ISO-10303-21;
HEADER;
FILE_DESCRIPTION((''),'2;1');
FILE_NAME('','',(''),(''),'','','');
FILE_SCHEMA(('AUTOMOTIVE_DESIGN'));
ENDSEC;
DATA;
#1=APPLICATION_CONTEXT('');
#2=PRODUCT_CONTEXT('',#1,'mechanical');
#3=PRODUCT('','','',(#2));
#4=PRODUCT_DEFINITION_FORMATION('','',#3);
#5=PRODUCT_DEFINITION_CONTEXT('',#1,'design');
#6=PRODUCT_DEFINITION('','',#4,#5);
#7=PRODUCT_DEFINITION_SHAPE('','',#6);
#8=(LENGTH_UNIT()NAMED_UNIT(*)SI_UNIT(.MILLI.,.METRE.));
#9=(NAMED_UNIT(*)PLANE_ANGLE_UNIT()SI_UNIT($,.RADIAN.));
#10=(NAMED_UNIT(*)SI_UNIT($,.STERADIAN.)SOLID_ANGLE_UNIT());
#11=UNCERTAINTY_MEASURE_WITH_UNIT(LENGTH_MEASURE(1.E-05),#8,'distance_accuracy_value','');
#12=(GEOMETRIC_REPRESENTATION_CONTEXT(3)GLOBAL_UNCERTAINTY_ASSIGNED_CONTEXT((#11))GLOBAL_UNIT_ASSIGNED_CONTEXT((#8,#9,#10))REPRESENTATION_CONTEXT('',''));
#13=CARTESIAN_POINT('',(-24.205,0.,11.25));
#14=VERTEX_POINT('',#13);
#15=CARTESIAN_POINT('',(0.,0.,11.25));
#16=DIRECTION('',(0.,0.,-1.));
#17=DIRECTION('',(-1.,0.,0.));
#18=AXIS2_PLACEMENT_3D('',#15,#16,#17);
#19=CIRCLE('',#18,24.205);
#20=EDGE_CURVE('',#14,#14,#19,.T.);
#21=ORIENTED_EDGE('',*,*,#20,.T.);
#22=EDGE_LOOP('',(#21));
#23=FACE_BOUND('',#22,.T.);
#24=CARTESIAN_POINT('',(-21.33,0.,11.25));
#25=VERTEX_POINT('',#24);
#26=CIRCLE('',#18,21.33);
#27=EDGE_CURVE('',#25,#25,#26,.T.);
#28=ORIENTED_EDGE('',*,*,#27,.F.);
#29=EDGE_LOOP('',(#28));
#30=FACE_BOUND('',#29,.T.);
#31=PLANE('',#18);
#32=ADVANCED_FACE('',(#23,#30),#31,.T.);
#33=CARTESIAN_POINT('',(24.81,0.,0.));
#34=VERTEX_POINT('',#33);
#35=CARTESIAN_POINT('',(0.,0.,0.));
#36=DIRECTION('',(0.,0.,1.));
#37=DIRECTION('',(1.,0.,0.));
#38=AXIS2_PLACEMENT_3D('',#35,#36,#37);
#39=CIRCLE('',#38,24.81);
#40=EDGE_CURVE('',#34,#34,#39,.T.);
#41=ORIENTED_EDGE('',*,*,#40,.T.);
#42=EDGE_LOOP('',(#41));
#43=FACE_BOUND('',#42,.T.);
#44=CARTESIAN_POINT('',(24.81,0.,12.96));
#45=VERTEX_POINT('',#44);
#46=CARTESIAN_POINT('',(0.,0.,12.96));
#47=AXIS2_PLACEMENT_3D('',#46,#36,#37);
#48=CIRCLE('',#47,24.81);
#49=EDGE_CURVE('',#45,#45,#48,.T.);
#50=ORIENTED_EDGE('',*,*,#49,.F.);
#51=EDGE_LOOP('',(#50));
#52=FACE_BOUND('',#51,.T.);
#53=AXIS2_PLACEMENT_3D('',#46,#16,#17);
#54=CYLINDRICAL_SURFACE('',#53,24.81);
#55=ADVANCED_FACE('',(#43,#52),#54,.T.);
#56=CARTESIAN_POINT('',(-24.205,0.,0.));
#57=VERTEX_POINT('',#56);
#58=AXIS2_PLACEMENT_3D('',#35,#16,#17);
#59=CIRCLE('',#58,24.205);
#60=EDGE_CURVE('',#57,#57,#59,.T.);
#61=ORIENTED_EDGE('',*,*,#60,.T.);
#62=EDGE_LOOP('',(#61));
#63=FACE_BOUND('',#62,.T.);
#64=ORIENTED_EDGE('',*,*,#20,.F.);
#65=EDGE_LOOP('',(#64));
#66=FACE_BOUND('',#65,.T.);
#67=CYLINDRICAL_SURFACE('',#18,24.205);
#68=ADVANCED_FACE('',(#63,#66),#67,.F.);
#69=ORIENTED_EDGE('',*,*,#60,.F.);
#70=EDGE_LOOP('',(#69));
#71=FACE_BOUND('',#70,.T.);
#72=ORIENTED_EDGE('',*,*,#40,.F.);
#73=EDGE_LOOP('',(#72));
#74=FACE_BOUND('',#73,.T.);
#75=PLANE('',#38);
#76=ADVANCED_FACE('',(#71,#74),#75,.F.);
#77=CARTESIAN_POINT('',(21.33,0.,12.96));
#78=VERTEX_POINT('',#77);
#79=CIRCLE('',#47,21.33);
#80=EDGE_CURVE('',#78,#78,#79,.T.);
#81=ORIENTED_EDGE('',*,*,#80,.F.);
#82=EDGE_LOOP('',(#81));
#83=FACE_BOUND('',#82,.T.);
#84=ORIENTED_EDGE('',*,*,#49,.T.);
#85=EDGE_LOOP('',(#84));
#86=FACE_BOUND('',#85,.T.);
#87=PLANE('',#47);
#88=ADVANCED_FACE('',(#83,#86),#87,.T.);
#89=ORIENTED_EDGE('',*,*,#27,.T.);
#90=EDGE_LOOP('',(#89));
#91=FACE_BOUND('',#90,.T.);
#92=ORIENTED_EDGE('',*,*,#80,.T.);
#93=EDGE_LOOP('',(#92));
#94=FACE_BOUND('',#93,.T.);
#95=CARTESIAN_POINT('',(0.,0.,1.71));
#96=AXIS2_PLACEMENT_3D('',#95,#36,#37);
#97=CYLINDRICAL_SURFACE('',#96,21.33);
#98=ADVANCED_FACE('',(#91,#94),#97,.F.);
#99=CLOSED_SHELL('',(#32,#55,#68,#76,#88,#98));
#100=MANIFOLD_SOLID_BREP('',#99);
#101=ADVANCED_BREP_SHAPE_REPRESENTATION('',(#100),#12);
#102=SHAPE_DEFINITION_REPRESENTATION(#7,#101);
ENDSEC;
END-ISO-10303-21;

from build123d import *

# Parameters (mm, degrees)
SKETCH1_R           = 24.81
BOSS_EXTRUDE1_DEPTH = 12.96
SKETCH3_R           = 24.205
CUT_EXTRUDE2_DEPTH  = 11.25
SKETCH4_R           = 21.33
CUT_EXTRUDE3_DEPTH  = 11.25


with BuildPart() as part:
    # Sketch1 → Boss-Extrude1 (new body)
    with BuildSketch(Plane.XY):
        Circle(SKETCH1_R)
    extrude(amount=BOSS_EXTRUDE1_DEPTH)

    # Sketch3 → Cut-Extrude2 (cut)
    with BuildSketch(Plane(origin=(0, 0, 0), x_dir=(-1, 0, 0), z_dir=(0, 0, -1))):
        Circle(SKETCH3_R)
    extrude(amount=-CUT_EXTRUDE2_DEPTH, mode=Mode.SUBTRACT)

    # Sketch4 → Cut-Extrude3 (cut)
    with BuildSketch(Plane.XY.offset(12.96)):
        Circle(SKETCH4_R)
    extrude(amount=-CUT_EXTRUDE3_DEPTH, mode=Mode.SUBTRACT)


solid = part.part
